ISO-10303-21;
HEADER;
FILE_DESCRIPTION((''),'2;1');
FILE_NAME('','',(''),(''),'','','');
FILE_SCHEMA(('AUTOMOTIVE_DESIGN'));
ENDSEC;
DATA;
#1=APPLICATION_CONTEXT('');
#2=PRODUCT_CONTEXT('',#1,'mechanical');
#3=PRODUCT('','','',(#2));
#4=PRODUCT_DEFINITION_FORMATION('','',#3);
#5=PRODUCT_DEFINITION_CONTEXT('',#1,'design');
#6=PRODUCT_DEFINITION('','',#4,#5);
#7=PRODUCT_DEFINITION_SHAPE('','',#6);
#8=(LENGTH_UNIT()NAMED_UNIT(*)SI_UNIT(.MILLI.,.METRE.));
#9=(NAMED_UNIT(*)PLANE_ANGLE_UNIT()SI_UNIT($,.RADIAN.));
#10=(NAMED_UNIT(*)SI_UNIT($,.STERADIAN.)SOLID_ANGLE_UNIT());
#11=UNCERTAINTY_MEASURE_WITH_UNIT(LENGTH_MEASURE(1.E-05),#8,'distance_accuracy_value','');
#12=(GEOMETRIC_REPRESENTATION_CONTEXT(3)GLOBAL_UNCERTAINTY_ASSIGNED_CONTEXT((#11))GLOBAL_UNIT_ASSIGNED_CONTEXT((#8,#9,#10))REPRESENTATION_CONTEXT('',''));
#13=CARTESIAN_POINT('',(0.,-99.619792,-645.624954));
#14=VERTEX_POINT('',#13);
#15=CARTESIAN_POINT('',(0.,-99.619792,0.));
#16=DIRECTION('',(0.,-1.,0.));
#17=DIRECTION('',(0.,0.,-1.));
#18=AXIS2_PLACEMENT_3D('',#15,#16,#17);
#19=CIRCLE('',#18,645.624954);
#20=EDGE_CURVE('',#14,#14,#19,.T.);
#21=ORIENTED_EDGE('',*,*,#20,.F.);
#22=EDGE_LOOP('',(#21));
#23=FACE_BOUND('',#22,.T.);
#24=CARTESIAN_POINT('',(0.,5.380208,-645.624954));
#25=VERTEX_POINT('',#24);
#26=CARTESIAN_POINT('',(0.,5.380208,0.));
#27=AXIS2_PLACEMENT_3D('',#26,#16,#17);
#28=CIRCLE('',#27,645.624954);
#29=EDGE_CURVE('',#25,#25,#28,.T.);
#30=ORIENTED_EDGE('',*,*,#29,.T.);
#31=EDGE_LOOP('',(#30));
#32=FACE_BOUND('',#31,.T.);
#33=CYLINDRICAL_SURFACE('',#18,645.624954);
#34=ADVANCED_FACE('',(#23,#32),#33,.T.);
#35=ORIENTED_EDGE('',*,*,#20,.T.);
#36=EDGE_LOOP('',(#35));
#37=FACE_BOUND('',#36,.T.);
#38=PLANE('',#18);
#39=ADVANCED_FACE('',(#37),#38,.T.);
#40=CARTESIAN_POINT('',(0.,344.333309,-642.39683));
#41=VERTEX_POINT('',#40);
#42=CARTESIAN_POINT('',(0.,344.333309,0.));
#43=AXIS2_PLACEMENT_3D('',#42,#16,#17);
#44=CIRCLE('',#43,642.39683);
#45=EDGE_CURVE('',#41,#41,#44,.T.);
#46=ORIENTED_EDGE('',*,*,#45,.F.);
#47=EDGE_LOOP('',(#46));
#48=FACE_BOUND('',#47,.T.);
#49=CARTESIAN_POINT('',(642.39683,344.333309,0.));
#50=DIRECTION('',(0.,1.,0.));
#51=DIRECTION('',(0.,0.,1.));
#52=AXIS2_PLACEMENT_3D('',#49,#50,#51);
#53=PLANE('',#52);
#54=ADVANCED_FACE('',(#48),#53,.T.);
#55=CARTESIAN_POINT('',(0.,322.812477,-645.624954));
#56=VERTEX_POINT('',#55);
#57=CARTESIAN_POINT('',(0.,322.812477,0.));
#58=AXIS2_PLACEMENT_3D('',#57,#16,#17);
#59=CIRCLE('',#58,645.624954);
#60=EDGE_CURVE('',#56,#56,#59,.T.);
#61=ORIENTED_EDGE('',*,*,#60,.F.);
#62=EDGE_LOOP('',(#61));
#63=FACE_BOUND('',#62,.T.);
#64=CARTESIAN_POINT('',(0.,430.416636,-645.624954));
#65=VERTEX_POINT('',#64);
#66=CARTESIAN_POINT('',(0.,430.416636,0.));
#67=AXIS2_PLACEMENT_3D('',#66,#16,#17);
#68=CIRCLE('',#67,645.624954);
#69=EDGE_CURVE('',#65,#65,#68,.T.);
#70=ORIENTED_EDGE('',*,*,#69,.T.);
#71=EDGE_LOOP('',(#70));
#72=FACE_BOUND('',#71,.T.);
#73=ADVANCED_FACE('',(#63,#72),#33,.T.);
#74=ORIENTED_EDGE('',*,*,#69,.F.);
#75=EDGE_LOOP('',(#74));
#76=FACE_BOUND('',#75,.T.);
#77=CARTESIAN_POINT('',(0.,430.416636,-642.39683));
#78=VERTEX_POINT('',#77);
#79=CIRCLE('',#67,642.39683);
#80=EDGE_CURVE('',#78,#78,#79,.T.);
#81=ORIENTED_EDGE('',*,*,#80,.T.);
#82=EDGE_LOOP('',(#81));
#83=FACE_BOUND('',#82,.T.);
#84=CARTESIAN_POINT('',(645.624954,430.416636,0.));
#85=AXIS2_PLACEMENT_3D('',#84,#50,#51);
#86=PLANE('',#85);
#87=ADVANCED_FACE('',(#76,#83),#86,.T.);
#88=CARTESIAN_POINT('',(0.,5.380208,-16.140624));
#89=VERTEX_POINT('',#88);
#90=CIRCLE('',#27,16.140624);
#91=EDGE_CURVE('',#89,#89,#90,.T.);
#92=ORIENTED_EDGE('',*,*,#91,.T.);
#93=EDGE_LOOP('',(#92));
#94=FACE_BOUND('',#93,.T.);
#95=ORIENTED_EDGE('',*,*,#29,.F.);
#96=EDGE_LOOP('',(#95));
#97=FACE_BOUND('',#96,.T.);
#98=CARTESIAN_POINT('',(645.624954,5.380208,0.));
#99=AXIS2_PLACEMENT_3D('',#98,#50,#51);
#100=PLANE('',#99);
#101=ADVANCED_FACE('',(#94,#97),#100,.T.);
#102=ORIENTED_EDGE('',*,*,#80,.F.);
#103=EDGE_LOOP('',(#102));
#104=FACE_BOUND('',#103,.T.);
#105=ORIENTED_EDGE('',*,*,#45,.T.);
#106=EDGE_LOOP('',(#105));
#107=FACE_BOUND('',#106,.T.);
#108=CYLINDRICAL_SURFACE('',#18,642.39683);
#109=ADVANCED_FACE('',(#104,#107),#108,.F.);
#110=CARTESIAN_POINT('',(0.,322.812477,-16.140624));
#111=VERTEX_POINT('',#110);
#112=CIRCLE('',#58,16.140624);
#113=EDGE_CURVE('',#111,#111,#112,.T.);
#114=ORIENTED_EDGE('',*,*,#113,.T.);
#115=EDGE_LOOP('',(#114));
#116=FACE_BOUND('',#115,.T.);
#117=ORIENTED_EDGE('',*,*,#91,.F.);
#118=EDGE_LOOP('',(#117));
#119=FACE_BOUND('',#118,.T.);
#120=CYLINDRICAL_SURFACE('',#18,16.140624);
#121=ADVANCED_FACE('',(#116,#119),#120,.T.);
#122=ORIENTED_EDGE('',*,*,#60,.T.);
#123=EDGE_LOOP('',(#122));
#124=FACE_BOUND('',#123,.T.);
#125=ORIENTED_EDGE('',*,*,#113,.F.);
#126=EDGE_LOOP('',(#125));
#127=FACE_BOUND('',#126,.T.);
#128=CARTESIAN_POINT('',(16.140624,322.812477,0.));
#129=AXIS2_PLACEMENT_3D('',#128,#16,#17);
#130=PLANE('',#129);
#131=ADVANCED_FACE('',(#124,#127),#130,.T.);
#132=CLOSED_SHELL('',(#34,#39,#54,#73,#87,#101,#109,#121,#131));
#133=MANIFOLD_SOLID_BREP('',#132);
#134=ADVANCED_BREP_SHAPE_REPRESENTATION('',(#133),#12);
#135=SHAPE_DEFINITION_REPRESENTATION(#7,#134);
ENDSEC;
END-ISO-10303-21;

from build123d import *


with BuildPart() as part:
    # Sketch2 → Revolve2 (revolve)
    with BuildSketch(Plane.XY):
        Polygon((0, -99.619792047), (645.624954417, -99.619792047), (645.624954417, 5.380207953), (16.14062386, 5.380207953), (16.14062386, 322.812477209), (645.624954417, 322.812477209), (645.624954417, 430.416636278), (642.396829645, 430.416636278), (642.396829645, 344.333309023), (0, 344.333309023), align=None)
    revolve(axis=Axis((0, -99.619792047, 0), (0, 1, 0)))


solid = part.part
